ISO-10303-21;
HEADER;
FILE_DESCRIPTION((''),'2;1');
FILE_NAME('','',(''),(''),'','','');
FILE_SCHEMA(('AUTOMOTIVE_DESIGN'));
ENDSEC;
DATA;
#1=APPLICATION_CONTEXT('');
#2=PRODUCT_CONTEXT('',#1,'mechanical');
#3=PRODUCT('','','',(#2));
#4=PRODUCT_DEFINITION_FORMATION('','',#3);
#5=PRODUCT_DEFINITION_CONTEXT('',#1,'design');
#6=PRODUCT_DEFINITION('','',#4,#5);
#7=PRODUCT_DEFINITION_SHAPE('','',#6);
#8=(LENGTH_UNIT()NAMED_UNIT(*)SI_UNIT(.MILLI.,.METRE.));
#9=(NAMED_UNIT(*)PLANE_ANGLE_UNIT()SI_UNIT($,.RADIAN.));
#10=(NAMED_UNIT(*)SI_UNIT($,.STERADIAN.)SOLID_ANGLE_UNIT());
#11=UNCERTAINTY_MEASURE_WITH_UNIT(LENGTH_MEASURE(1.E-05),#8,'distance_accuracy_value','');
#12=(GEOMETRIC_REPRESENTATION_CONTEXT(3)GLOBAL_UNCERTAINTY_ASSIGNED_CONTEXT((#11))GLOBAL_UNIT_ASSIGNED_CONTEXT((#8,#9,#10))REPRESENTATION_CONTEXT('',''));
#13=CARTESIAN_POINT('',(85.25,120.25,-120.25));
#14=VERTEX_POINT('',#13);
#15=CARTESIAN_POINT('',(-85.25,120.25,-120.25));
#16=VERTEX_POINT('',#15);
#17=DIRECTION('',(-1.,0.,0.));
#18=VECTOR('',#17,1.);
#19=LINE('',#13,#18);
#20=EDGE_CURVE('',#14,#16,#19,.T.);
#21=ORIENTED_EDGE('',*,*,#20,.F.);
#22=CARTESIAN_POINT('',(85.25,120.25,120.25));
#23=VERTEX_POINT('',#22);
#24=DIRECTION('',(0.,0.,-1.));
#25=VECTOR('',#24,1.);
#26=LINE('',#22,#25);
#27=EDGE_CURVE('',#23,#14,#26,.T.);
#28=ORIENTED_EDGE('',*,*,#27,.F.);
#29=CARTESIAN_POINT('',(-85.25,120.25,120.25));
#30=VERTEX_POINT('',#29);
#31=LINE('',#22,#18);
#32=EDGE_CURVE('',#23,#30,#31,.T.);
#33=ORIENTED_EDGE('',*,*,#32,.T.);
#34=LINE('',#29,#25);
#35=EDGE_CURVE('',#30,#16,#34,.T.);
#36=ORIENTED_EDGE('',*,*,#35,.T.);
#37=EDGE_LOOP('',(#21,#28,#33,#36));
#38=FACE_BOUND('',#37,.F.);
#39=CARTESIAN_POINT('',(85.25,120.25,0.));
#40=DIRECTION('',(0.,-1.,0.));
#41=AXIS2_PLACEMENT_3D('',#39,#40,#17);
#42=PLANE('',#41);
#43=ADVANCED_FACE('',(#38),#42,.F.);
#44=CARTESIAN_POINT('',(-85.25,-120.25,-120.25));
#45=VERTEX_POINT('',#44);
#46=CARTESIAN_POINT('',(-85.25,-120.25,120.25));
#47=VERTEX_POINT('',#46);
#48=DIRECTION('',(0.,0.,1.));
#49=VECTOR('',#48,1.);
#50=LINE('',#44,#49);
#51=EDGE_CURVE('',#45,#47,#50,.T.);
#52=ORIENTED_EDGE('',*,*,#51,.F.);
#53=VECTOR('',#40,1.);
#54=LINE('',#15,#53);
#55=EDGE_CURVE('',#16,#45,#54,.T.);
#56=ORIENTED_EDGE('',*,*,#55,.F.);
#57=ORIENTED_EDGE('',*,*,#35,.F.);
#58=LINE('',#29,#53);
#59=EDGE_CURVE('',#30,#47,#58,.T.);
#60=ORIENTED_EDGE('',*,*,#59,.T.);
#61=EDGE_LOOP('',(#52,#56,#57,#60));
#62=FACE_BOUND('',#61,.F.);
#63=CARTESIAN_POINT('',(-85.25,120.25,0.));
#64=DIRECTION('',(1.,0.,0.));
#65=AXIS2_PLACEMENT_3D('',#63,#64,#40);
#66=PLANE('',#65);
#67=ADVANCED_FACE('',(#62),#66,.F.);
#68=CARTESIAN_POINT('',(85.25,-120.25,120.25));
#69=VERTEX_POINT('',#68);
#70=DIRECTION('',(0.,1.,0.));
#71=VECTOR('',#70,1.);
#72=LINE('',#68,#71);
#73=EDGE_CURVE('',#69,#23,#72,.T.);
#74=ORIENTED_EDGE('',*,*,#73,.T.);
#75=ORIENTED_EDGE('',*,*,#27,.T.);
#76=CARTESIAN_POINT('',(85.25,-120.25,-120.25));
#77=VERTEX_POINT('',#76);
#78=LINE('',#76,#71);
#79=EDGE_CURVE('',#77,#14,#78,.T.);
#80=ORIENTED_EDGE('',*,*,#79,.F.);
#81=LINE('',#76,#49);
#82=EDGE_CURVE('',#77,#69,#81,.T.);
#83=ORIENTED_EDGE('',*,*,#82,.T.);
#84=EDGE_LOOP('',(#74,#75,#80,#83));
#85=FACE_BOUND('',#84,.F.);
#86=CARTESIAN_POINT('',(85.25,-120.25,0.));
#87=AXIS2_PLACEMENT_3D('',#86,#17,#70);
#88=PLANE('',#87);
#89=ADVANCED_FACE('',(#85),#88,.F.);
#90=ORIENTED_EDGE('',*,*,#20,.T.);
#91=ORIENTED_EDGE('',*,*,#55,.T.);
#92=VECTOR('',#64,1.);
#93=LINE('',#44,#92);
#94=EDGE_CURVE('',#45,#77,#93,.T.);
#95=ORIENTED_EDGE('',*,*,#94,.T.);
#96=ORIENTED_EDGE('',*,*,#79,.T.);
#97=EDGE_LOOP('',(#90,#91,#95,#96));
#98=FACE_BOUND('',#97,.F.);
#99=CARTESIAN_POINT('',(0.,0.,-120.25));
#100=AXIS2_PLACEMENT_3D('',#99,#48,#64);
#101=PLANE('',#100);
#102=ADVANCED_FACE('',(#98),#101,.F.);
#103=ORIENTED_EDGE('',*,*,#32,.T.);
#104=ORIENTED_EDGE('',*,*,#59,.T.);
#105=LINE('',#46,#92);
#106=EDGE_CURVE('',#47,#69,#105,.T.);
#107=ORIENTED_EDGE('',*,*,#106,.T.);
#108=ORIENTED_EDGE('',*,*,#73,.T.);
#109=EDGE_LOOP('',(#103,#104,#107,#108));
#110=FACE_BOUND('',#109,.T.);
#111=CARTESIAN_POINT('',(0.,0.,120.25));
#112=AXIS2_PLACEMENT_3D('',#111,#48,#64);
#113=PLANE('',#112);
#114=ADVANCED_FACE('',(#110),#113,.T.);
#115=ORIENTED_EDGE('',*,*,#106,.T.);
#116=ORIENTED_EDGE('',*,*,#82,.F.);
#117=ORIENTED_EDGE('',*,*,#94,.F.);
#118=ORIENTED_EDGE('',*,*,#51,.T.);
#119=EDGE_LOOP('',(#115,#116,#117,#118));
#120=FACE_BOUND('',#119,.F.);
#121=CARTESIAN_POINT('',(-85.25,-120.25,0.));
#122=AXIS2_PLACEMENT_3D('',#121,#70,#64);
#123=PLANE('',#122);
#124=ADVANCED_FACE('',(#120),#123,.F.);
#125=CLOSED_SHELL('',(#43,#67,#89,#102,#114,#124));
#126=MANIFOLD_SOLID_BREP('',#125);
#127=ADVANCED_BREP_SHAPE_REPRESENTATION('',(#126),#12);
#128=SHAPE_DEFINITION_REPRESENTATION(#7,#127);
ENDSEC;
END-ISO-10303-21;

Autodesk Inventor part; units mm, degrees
sketch "Sketch1" plane through (0, 0, 0) normal (0, 0, 1) x (1, 0, 0)
  line L0 (-85.25, -120.25) -> (85.25, -120.25)
  line L1 (85.25, -120.25) -> (85.25, 120.25)
  line L2 (85.25, 120.25) -> (-85.25, 120.25)
  line L3 (-85.25, 120.25) -> (-85.25, -120.25)
  line L4 (-85.25, -120.25) -> (85.25, 120.25) construction
  line L5 (85.25, -120.25) -> (-85.25, 120.25) construction
  point P0 (0, 0)
  dimension "d0" = 170.5
  dimension "d1" = 240.5
extrude "Extrusion1" add sketch "Sketch1" along normal mid plane 240.5
properties part number "Frame generator"
